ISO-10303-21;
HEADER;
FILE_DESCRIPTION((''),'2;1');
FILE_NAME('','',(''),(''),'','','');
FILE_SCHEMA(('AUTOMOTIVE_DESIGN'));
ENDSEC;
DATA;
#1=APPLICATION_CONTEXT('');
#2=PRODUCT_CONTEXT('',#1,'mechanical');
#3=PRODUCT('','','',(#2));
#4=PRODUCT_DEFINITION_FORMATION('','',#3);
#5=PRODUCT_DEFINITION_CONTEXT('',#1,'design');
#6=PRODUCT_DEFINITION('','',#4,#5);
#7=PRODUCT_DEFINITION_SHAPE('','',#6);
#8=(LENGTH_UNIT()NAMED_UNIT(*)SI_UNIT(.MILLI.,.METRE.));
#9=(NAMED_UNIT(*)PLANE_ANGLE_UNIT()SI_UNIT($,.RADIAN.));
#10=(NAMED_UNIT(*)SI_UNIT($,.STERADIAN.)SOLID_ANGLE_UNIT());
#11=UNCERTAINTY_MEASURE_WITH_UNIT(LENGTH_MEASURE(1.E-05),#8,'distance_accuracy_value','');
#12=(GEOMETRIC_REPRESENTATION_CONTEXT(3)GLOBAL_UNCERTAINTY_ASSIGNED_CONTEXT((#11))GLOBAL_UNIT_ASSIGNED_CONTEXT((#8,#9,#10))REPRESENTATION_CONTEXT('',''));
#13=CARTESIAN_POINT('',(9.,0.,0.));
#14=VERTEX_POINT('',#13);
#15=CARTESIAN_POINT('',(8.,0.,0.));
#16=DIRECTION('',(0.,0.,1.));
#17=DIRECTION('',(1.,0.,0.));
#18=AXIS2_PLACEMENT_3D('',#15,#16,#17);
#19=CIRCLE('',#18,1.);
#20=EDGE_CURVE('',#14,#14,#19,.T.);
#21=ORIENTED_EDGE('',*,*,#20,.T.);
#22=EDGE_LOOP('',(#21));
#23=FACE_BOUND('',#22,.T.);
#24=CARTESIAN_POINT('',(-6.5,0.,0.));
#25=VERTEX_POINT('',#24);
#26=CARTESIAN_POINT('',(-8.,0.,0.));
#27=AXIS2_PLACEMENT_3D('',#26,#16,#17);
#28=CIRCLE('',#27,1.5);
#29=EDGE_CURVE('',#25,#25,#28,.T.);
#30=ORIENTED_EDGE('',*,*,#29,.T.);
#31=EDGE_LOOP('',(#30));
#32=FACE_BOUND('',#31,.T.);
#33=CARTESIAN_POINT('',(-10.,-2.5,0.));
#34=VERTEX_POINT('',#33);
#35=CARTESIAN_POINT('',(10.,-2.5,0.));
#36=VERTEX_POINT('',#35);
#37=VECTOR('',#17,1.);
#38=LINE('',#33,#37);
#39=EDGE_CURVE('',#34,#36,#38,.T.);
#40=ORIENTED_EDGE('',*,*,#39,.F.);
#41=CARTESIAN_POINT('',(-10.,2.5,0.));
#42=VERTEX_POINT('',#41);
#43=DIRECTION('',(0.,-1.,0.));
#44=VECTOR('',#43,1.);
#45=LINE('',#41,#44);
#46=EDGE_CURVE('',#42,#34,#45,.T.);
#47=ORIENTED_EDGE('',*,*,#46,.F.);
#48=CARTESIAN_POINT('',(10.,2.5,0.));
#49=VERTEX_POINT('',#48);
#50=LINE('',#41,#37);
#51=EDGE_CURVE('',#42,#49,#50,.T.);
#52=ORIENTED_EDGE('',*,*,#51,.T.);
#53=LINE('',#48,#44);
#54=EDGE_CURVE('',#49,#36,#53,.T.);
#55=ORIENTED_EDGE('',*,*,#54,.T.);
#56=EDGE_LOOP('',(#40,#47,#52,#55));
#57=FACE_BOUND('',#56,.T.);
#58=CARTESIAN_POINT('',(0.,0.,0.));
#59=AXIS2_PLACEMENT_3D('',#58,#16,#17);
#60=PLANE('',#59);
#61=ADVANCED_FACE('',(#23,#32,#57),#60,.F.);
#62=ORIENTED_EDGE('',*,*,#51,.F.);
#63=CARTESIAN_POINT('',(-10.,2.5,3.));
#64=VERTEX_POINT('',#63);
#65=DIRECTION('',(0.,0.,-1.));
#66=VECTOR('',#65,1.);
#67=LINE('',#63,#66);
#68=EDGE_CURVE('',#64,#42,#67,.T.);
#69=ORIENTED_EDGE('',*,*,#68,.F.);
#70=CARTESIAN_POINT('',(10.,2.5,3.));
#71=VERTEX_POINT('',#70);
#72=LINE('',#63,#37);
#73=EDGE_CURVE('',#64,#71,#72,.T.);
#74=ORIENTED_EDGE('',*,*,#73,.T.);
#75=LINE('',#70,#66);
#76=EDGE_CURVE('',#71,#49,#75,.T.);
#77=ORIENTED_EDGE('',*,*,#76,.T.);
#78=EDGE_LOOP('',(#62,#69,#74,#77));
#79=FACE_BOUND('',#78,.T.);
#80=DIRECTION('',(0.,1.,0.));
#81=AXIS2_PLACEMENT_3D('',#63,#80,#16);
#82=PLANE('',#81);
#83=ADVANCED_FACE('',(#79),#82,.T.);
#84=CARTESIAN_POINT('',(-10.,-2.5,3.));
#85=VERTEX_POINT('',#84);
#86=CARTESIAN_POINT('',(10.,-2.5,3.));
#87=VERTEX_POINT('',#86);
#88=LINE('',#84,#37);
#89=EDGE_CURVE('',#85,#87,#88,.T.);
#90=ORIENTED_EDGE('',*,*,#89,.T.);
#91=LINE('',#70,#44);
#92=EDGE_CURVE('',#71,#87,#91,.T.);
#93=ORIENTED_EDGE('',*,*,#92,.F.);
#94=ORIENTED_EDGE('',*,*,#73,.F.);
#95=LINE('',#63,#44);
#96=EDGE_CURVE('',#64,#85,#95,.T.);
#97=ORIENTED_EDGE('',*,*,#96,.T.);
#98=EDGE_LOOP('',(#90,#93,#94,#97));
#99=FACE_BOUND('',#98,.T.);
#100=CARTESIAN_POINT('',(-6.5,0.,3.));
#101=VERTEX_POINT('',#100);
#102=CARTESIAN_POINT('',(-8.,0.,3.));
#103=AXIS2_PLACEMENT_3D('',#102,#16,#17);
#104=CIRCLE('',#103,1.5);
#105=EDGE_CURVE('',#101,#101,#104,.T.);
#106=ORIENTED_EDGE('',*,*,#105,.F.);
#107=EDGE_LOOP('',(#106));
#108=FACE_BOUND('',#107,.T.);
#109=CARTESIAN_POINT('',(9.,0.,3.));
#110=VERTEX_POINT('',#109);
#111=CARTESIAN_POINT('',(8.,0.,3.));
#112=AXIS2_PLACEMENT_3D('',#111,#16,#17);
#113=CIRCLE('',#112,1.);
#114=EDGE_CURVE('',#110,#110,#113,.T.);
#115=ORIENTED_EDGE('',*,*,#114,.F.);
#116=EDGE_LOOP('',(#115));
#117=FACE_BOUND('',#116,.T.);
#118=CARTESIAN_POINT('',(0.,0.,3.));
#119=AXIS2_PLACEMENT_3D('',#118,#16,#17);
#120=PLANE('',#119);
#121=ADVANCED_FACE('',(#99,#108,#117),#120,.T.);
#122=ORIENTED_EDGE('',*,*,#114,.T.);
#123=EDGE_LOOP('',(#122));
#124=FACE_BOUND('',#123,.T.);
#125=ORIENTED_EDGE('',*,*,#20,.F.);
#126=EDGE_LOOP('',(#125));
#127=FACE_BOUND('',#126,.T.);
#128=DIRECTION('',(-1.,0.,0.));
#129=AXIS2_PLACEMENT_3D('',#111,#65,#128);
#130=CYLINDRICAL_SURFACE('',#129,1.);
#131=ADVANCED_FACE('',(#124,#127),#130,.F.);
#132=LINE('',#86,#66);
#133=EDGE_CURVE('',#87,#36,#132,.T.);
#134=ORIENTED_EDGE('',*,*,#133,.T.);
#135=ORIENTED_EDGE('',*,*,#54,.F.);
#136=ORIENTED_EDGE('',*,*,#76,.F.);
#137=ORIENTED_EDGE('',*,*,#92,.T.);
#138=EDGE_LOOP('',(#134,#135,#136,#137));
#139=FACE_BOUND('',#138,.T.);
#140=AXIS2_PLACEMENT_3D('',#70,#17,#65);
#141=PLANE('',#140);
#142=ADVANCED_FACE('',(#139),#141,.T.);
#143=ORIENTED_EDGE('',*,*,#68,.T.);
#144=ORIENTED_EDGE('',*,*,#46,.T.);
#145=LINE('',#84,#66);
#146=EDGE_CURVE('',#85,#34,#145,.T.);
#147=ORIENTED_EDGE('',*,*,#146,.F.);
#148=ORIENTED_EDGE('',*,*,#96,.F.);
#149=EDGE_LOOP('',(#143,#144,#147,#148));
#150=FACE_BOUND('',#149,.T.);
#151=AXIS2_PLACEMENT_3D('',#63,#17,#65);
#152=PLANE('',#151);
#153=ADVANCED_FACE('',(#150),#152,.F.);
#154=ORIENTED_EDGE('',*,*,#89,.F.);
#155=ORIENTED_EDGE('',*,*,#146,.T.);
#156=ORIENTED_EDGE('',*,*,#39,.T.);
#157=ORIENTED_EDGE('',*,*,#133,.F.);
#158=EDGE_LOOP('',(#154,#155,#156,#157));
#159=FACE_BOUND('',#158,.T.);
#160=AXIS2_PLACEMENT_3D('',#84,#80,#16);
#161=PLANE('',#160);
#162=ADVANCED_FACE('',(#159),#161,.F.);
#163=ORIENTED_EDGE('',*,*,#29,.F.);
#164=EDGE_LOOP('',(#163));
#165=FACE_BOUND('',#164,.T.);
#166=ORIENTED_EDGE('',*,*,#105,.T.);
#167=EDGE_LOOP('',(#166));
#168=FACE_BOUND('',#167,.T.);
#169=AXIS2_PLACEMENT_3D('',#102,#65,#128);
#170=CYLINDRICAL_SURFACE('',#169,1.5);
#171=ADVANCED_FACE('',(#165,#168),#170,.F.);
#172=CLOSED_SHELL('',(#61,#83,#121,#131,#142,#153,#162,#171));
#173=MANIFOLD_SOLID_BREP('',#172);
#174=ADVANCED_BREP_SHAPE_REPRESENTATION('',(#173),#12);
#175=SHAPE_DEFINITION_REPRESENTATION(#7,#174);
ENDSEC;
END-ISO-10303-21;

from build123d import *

# Parameters (mm, degrees)
SKETCH1_W           = 20
SKETCH1_H           = 5
SKETCH1_R           = 1
SKETCH1_R_2         = 1.5
BOSS_EXTRUDE1_DEPTH = 3


with BuildPart() as part:
    # Sketch1 → Boss-Extrude1 (new body)
    with BuildSketch(Plane.XY):
        Rectangle(SKETCH1_W, SKETCH1_H)
        with Locations((8, 0)):
            Circle(SKETCH1_R, mode=Mode.SUBTRACT)
        with Locations((-8, 0)):
            Circle(SKETCH1_R_2, mode=Mode.SUBTRACT)
    extrude(amount=BOSS_EXTRUDE1_DEPTH)


solid = part.part
